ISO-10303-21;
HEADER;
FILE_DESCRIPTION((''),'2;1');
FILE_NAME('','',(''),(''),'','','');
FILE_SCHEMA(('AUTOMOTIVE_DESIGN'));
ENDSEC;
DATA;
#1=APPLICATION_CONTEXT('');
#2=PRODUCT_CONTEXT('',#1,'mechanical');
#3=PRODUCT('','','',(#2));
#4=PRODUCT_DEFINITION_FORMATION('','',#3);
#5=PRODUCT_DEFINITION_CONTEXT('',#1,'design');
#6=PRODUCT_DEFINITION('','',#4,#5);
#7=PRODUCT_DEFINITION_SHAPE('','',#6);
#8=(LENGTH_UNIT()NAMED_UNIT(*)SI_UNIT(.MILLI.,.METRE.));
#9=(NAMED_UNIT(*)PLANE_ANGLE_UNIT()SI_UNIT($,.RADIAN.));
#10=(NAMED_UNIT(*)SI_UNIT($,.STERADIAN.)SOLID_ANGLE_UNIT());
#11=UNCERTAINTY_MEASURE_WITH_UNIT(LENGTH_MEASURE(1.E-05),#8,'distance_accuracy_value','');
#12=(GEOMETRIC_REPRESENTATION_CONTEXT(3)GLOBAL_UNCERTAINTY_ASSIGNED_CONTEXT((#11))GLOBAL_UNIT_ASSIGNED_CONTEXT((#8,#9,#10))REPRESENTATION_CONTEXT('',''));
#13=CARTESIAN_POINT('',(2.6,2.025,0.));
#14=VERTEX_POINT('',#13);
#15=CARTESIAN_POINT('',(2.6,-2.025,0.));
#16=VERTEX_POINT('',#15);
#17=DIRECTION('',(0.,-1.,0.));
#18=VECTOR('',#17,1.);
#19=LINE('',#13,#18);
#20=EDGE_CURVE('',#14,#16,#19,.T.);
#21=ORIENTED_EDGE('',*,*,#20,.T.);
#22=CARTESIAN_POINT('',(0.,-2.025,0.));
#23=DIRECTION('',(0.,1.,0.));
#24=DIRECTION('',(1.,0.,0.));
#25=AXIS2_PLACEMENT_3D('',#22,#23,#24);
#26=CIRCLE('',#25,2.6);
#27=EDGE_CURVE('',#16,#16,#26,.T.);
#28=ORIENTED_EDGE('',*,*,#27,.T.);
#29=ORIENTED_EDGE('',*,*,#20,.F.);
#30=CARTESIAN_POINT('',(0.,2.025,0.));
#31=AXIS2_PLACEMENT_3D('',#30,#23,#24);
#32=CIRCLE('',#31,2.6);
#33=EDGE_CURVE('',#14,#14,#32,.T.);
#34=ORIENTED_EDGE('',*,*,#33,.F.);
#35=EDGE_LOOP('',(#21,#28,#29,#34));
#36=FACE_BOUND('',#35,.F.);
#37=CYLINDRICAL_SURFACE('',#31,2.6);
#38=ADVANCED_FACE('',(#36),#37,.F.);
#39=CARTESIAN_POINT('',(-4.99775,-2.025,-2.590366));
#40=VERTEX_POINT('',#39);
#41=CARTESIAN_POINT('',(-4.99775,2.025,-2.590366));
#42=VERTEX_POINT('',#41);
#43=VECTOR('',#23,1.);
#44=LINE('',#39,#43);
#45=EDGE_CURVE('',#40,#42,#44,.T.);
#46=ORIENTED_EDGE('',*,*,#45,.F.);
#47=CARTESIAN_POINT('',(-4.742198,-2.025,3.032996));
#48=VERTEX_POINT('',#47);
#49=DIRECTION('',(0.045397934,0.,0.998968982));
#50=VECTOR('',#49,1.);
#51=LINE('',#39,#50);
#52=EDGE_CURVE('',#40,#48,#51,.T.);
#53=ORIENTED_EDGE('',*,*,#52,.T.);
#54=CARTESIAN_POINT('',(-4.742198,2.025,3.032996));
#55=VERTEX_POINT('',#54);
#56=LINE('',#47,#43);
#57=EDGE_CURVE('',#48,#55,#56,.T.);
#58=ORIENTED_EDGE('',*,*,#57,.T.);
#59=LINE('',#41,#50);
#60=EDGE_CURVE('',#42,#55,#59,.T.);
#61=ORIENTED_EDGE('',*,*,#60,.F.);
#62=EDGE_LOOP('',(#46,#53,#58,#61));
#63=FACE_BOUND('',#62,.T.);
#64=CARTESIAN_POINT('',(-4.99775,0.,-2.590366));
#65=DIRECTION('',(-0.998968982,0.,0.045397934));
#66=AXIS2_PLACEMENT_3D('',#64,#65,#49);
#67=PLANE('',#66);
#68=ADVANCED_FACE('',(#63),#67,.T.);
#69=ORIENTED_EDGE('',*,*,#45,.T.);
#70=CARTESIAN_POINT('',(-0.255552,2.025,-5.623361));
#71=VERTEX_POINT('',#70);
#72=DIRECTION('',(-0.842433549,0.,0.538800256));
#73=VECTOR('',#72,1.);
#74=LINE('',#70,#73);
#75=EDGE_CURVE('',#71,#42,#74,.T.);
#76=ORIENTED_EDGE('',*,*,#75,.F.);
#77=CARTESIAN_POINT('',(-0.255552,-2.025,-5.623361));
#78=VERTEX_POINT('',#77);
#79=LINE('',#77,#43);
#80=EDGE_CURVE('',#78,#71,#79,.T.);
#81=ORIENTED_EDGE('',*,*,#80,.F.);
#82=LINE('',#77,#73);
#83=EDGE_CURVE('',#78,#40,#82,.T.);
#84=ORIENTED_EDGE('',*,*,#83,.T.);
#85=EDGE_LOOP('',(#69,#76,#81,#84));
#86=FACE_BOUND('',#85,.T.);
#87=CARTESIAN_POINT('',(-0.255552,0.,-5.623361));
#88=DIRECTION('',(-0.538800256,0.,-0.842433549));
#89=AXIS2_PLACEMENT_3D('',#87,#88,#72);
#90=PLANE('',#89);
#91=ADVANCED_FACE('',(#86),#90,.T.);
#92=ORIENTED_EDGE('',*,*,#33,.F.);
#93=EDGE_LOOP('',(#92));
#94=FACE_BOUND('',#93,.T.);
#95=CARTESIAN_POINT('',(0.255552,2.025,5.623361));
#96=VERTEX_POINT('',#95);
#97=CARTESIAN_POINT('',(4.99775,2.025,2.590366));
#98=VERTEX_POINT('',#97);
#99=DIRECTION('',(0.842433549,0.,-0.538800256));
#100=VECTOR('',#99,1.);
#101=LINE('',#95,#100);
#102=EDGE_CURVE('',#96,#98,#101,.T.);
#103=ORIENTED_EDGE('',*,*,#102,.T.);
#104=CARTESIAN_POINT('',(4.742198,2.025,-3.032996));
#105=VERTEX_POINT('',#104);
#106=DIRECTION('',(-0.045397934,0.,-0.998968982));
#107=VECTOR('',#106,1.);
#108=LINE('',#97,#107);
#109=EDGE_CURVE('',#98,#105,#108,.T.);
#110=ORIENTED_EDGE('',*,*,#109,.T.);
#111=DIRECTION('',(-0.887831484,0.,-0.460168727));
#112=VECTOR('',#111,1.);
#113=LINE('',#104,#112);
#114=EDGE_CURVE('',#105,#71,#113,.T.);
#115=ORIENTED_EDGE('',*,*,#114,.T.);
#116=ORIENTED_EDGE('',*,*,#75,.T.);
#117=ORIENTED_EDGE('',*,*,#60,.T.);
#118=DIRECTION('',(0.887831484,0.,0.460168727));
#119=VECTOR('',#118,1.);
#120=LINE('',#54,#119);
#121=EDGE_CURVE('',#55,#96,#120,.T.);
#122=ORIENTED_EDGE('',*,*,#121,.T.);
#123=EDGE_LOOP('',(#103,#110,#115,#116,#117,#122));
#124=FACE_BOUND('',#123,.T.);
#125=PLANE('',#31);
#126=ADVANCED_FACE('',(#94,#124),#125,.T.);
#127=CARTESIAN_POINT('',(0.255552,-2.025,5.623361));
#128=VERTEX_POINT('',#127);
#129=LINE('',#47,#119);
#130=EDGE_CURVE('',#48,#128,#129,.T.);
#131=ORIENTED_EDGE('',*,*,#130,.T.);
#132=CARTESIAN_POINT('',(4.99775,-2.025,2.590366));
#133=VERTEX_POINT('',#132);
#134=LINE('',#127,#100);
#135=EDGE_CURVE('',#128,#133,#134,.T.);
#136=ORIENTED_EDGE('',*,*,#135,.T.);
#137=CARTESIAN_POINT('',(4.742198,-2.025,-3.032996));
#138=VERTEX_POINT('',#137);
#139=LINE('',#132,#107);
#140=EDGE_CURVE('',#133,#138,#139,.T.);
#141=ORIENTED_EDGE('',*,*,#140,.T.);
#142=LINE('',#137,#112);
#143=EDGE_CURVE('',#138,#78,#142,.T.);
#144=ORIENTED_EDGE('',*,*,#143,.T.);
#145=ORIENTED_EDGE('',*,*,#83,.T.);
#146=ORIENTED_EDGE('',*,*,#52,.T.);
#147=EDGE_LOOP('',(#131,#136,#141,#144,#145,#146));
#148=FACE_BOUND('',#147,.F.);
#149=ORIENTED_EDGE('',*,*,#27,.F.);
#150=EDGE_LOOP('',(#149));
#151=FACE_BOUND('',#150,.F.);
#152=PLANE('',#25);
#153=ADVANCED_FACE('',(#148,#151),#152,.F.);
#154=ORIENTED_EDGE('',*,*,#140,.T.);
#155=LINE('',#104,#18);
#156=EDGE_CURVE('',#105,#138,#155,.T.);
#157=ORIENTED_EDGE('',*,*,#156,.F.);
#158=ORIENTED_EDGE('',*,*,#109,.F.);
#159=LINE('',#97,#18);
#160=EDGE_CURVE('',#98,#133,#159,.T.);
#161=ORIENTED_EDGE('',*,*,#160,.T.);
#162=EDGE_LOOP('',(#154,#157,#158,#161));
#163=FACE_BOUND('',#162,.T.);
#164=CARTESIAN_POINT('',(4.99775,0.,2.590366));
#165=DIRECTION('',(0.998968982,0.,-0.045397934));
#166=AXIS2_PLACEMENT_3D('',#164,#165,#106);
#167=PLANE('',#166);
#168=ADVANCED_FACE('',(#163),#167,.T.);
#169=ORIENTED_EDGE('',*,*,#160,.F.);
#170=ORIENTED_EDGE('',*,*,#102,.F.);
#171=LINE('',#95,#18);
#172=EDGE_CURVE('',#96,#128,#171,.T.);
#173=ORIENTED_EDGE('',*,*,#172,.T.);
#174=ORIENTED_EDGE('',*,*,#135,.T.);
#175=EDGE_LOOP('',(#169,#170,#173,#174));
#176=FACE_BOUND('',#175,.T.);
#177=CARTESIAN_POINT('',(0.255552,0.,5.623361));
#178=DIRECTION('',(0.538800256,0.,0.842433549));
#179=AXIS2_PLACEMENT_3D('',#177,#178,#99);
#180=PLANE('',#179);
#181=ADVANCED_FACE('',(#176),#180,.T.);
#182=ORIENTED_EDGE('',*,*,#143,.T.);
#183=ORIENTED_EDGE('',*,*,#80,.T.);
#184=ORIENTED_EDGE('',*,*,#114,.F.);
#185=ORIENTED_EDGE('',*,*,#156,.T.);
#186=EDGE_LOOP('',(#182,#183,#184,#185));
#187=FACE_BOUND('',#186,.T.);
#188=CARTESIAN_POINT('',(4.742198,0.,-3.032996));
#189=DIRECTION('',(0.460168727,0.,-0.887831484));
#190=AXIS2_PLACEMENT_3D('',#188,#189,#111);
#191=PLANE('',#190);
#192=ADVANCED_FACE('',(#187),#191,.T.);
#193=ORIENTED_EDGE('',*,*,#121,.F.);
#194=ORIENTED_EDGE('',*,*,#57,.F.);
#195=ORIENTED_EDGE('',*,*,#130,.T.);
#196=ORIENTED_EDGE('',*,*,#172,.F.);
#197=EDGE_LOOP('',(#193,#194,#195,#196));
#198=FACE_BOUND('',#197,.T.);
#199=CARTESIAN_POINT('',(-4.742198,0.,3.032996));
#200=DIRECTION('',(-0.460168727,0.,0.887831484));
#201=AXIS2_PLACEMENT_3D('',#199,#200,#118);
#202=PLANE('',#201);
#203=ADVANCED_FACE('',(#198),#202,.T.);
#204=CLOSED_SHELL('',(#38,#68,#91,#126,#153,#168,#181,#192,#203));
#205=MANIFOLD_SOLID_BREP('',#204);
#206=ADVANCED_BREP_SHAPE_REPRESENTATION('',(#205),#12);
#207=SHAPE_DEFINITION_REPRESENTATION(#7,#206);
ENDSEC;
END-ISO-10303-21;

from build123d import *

# Parameters (mm, degrees)
BOSS_EXTRUDE1_DEPTH = 2.025
CUT_EXTRUDE1_REACH  = 6.05
SKETCH2_R           = 2.6


with BuildPart() as part:
    # Sketch1 → Boss-Extrude1 (new body, symmetric)
    with BuildSketch(Plane(origin=(0, 0, 0), x_dir=(1, 0, 0), z_dir=(0, 1, 0))):
        Polygon((4.742197554, 3.032995609), (-0.25555247, 5.623361356), (-4.997750023, 2.590365747), (-4.742197554, -3.032995609), (0.25555247, -5.623361356), (4.997750023, -2.590365747), align=None)
    extrude(amount=BOSS_EXTRUDE1_DEPTH, both=True)

    # Sketch2 → Cut-Extrude1 (cut, up to next)
    with BuildSketch(Plane(origin=(0, 2.025, 0), x_dir=(1, 0, 0), z_dir=(0, 1, 0)), mode=Mode.PRIVATE) as cut_extrude1_sk1:
        Circle(SKETCH2_R)
    cut_extrude1_tool1 = extrude(cut_extrude1_sk1.sketch, amount=-CUT_EXTRUDE1_REACH, mode=Mode.PRIVATE) & part.part
    add(cut_extrude1_tool1.solids().sort_by_distance((0, 2.025, 0))[0], mode=Mode.SUBTRACT)


solid = part.part
